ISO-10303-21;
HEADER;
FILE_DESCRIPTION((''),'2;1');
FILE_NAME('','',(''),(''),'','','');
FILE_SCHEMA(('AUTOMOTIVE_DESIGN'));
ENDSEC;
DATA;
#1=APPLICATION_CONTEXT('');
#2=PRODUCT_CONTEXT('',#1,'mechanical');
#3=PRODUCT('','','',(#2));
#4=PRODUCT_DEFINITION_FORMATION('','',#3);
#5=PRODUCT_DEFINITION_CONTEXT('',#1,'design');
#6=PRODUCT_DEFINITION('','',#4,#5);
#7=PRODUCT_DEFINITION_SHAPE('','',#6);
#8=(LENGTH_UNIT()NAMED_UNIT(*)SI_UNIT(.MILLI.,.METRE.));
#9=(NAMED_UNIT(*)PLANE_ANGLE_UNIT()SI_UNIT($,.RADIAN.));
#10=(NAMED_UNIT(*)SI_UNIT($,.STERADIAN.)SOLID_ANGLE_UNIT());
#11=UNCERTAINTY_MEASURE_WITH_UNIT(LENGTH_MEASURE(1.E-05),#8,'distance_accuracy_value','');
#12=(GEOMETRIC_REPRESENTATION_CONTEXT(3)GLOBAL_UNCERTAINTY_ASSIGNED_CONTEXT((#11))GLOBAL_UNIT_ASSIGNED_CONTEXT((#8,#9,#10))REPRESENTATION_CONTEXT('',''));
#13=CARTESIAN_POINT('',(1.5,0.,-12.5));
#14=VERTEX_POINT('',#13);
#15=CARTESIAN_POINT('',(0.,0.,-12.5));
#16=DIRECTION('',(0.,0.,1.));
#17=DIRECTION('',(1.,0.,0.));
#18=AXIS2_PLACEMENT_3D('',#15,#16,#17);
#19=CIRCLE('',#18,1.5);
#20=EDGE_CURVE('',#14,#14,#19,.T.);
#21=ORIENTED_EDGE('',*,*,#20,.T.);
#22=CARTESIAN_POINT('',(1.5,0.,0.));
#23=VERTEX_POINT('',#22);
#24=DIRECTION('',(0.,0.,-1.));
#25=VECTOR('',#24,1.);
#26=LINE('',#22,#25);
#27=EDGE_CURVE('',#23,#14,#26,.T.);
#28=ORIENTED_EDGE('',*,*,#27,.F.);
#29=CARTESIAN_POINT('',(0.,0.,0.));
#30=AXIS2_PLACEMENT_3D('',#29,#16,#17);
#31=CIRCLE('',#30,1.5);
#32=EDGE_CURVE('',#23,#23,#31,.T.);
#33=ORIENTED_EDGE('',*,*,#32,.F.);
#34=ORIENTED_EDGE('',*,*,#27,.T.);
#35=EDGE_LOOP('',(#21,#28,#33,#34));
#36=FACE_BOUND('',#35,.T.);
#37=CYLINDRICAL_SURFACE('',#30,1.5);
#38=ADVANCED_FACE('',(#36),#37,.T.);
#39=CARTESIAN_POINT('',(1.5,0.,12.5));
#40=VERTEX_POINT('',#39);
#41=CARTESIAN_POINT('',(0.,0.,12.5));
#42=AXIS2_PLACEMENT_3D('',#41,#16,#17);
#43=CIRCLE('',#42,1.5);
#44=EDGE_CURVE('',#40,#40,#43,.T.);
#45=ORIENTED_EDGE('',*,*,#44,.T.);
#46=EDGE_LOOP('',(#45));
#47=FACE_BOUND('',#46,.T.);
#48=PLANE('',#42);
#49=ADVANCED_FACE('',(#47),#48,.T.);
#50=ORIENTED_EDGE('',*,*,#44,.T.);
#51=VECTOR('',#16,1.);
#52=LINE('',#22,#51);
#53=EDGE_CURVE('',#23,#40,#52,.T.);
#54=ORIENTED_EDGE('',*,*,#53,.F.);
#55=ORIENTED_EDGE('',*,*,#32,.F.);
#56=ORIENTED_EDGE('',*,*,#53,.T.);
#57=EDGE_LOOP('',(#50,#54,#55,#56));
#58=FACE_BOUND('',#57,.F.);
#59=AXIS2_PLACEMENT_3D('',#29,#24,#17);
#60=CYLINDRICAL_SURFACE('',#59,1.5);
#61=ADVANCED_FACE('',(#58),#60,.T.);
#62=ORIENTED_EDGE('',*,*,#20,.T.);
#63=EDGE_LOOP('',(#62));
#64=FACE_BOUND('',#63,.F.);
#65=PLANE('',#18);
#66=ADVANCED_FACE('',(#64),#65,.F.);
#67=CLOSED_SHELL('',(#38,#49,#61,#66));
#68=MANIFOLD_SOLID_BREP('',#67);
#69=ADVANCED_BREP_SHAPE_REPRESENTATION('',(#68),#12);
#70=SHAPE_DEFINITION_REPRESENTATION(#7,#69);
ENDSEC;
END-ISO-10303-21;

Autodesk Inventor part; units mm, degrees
ref_plane "YZ Plane" through (0, 0, 0) normal (1, 0, 0) x (0, 1, 0)
ref_plane "XZ Plane" through (0, 0, 0) normal (0, 1, 0) x (-1, 0, 0)
ref_plane "XY Plane" through (0, 0, 0) normal (0, 0, 1) x (1, 0, 0)
sketch "Sketch1" plane through (0, 0, 0) normal (0, 0, 1) x (1, 0, 0)
  circle A0 centre (0, 0) radius 1.5
  dimension "d0" = 3
extrude "Extrusion1" add sketch "Sketch1" along normal mid plane 25
properties part number "Roller3mmx25mm"
